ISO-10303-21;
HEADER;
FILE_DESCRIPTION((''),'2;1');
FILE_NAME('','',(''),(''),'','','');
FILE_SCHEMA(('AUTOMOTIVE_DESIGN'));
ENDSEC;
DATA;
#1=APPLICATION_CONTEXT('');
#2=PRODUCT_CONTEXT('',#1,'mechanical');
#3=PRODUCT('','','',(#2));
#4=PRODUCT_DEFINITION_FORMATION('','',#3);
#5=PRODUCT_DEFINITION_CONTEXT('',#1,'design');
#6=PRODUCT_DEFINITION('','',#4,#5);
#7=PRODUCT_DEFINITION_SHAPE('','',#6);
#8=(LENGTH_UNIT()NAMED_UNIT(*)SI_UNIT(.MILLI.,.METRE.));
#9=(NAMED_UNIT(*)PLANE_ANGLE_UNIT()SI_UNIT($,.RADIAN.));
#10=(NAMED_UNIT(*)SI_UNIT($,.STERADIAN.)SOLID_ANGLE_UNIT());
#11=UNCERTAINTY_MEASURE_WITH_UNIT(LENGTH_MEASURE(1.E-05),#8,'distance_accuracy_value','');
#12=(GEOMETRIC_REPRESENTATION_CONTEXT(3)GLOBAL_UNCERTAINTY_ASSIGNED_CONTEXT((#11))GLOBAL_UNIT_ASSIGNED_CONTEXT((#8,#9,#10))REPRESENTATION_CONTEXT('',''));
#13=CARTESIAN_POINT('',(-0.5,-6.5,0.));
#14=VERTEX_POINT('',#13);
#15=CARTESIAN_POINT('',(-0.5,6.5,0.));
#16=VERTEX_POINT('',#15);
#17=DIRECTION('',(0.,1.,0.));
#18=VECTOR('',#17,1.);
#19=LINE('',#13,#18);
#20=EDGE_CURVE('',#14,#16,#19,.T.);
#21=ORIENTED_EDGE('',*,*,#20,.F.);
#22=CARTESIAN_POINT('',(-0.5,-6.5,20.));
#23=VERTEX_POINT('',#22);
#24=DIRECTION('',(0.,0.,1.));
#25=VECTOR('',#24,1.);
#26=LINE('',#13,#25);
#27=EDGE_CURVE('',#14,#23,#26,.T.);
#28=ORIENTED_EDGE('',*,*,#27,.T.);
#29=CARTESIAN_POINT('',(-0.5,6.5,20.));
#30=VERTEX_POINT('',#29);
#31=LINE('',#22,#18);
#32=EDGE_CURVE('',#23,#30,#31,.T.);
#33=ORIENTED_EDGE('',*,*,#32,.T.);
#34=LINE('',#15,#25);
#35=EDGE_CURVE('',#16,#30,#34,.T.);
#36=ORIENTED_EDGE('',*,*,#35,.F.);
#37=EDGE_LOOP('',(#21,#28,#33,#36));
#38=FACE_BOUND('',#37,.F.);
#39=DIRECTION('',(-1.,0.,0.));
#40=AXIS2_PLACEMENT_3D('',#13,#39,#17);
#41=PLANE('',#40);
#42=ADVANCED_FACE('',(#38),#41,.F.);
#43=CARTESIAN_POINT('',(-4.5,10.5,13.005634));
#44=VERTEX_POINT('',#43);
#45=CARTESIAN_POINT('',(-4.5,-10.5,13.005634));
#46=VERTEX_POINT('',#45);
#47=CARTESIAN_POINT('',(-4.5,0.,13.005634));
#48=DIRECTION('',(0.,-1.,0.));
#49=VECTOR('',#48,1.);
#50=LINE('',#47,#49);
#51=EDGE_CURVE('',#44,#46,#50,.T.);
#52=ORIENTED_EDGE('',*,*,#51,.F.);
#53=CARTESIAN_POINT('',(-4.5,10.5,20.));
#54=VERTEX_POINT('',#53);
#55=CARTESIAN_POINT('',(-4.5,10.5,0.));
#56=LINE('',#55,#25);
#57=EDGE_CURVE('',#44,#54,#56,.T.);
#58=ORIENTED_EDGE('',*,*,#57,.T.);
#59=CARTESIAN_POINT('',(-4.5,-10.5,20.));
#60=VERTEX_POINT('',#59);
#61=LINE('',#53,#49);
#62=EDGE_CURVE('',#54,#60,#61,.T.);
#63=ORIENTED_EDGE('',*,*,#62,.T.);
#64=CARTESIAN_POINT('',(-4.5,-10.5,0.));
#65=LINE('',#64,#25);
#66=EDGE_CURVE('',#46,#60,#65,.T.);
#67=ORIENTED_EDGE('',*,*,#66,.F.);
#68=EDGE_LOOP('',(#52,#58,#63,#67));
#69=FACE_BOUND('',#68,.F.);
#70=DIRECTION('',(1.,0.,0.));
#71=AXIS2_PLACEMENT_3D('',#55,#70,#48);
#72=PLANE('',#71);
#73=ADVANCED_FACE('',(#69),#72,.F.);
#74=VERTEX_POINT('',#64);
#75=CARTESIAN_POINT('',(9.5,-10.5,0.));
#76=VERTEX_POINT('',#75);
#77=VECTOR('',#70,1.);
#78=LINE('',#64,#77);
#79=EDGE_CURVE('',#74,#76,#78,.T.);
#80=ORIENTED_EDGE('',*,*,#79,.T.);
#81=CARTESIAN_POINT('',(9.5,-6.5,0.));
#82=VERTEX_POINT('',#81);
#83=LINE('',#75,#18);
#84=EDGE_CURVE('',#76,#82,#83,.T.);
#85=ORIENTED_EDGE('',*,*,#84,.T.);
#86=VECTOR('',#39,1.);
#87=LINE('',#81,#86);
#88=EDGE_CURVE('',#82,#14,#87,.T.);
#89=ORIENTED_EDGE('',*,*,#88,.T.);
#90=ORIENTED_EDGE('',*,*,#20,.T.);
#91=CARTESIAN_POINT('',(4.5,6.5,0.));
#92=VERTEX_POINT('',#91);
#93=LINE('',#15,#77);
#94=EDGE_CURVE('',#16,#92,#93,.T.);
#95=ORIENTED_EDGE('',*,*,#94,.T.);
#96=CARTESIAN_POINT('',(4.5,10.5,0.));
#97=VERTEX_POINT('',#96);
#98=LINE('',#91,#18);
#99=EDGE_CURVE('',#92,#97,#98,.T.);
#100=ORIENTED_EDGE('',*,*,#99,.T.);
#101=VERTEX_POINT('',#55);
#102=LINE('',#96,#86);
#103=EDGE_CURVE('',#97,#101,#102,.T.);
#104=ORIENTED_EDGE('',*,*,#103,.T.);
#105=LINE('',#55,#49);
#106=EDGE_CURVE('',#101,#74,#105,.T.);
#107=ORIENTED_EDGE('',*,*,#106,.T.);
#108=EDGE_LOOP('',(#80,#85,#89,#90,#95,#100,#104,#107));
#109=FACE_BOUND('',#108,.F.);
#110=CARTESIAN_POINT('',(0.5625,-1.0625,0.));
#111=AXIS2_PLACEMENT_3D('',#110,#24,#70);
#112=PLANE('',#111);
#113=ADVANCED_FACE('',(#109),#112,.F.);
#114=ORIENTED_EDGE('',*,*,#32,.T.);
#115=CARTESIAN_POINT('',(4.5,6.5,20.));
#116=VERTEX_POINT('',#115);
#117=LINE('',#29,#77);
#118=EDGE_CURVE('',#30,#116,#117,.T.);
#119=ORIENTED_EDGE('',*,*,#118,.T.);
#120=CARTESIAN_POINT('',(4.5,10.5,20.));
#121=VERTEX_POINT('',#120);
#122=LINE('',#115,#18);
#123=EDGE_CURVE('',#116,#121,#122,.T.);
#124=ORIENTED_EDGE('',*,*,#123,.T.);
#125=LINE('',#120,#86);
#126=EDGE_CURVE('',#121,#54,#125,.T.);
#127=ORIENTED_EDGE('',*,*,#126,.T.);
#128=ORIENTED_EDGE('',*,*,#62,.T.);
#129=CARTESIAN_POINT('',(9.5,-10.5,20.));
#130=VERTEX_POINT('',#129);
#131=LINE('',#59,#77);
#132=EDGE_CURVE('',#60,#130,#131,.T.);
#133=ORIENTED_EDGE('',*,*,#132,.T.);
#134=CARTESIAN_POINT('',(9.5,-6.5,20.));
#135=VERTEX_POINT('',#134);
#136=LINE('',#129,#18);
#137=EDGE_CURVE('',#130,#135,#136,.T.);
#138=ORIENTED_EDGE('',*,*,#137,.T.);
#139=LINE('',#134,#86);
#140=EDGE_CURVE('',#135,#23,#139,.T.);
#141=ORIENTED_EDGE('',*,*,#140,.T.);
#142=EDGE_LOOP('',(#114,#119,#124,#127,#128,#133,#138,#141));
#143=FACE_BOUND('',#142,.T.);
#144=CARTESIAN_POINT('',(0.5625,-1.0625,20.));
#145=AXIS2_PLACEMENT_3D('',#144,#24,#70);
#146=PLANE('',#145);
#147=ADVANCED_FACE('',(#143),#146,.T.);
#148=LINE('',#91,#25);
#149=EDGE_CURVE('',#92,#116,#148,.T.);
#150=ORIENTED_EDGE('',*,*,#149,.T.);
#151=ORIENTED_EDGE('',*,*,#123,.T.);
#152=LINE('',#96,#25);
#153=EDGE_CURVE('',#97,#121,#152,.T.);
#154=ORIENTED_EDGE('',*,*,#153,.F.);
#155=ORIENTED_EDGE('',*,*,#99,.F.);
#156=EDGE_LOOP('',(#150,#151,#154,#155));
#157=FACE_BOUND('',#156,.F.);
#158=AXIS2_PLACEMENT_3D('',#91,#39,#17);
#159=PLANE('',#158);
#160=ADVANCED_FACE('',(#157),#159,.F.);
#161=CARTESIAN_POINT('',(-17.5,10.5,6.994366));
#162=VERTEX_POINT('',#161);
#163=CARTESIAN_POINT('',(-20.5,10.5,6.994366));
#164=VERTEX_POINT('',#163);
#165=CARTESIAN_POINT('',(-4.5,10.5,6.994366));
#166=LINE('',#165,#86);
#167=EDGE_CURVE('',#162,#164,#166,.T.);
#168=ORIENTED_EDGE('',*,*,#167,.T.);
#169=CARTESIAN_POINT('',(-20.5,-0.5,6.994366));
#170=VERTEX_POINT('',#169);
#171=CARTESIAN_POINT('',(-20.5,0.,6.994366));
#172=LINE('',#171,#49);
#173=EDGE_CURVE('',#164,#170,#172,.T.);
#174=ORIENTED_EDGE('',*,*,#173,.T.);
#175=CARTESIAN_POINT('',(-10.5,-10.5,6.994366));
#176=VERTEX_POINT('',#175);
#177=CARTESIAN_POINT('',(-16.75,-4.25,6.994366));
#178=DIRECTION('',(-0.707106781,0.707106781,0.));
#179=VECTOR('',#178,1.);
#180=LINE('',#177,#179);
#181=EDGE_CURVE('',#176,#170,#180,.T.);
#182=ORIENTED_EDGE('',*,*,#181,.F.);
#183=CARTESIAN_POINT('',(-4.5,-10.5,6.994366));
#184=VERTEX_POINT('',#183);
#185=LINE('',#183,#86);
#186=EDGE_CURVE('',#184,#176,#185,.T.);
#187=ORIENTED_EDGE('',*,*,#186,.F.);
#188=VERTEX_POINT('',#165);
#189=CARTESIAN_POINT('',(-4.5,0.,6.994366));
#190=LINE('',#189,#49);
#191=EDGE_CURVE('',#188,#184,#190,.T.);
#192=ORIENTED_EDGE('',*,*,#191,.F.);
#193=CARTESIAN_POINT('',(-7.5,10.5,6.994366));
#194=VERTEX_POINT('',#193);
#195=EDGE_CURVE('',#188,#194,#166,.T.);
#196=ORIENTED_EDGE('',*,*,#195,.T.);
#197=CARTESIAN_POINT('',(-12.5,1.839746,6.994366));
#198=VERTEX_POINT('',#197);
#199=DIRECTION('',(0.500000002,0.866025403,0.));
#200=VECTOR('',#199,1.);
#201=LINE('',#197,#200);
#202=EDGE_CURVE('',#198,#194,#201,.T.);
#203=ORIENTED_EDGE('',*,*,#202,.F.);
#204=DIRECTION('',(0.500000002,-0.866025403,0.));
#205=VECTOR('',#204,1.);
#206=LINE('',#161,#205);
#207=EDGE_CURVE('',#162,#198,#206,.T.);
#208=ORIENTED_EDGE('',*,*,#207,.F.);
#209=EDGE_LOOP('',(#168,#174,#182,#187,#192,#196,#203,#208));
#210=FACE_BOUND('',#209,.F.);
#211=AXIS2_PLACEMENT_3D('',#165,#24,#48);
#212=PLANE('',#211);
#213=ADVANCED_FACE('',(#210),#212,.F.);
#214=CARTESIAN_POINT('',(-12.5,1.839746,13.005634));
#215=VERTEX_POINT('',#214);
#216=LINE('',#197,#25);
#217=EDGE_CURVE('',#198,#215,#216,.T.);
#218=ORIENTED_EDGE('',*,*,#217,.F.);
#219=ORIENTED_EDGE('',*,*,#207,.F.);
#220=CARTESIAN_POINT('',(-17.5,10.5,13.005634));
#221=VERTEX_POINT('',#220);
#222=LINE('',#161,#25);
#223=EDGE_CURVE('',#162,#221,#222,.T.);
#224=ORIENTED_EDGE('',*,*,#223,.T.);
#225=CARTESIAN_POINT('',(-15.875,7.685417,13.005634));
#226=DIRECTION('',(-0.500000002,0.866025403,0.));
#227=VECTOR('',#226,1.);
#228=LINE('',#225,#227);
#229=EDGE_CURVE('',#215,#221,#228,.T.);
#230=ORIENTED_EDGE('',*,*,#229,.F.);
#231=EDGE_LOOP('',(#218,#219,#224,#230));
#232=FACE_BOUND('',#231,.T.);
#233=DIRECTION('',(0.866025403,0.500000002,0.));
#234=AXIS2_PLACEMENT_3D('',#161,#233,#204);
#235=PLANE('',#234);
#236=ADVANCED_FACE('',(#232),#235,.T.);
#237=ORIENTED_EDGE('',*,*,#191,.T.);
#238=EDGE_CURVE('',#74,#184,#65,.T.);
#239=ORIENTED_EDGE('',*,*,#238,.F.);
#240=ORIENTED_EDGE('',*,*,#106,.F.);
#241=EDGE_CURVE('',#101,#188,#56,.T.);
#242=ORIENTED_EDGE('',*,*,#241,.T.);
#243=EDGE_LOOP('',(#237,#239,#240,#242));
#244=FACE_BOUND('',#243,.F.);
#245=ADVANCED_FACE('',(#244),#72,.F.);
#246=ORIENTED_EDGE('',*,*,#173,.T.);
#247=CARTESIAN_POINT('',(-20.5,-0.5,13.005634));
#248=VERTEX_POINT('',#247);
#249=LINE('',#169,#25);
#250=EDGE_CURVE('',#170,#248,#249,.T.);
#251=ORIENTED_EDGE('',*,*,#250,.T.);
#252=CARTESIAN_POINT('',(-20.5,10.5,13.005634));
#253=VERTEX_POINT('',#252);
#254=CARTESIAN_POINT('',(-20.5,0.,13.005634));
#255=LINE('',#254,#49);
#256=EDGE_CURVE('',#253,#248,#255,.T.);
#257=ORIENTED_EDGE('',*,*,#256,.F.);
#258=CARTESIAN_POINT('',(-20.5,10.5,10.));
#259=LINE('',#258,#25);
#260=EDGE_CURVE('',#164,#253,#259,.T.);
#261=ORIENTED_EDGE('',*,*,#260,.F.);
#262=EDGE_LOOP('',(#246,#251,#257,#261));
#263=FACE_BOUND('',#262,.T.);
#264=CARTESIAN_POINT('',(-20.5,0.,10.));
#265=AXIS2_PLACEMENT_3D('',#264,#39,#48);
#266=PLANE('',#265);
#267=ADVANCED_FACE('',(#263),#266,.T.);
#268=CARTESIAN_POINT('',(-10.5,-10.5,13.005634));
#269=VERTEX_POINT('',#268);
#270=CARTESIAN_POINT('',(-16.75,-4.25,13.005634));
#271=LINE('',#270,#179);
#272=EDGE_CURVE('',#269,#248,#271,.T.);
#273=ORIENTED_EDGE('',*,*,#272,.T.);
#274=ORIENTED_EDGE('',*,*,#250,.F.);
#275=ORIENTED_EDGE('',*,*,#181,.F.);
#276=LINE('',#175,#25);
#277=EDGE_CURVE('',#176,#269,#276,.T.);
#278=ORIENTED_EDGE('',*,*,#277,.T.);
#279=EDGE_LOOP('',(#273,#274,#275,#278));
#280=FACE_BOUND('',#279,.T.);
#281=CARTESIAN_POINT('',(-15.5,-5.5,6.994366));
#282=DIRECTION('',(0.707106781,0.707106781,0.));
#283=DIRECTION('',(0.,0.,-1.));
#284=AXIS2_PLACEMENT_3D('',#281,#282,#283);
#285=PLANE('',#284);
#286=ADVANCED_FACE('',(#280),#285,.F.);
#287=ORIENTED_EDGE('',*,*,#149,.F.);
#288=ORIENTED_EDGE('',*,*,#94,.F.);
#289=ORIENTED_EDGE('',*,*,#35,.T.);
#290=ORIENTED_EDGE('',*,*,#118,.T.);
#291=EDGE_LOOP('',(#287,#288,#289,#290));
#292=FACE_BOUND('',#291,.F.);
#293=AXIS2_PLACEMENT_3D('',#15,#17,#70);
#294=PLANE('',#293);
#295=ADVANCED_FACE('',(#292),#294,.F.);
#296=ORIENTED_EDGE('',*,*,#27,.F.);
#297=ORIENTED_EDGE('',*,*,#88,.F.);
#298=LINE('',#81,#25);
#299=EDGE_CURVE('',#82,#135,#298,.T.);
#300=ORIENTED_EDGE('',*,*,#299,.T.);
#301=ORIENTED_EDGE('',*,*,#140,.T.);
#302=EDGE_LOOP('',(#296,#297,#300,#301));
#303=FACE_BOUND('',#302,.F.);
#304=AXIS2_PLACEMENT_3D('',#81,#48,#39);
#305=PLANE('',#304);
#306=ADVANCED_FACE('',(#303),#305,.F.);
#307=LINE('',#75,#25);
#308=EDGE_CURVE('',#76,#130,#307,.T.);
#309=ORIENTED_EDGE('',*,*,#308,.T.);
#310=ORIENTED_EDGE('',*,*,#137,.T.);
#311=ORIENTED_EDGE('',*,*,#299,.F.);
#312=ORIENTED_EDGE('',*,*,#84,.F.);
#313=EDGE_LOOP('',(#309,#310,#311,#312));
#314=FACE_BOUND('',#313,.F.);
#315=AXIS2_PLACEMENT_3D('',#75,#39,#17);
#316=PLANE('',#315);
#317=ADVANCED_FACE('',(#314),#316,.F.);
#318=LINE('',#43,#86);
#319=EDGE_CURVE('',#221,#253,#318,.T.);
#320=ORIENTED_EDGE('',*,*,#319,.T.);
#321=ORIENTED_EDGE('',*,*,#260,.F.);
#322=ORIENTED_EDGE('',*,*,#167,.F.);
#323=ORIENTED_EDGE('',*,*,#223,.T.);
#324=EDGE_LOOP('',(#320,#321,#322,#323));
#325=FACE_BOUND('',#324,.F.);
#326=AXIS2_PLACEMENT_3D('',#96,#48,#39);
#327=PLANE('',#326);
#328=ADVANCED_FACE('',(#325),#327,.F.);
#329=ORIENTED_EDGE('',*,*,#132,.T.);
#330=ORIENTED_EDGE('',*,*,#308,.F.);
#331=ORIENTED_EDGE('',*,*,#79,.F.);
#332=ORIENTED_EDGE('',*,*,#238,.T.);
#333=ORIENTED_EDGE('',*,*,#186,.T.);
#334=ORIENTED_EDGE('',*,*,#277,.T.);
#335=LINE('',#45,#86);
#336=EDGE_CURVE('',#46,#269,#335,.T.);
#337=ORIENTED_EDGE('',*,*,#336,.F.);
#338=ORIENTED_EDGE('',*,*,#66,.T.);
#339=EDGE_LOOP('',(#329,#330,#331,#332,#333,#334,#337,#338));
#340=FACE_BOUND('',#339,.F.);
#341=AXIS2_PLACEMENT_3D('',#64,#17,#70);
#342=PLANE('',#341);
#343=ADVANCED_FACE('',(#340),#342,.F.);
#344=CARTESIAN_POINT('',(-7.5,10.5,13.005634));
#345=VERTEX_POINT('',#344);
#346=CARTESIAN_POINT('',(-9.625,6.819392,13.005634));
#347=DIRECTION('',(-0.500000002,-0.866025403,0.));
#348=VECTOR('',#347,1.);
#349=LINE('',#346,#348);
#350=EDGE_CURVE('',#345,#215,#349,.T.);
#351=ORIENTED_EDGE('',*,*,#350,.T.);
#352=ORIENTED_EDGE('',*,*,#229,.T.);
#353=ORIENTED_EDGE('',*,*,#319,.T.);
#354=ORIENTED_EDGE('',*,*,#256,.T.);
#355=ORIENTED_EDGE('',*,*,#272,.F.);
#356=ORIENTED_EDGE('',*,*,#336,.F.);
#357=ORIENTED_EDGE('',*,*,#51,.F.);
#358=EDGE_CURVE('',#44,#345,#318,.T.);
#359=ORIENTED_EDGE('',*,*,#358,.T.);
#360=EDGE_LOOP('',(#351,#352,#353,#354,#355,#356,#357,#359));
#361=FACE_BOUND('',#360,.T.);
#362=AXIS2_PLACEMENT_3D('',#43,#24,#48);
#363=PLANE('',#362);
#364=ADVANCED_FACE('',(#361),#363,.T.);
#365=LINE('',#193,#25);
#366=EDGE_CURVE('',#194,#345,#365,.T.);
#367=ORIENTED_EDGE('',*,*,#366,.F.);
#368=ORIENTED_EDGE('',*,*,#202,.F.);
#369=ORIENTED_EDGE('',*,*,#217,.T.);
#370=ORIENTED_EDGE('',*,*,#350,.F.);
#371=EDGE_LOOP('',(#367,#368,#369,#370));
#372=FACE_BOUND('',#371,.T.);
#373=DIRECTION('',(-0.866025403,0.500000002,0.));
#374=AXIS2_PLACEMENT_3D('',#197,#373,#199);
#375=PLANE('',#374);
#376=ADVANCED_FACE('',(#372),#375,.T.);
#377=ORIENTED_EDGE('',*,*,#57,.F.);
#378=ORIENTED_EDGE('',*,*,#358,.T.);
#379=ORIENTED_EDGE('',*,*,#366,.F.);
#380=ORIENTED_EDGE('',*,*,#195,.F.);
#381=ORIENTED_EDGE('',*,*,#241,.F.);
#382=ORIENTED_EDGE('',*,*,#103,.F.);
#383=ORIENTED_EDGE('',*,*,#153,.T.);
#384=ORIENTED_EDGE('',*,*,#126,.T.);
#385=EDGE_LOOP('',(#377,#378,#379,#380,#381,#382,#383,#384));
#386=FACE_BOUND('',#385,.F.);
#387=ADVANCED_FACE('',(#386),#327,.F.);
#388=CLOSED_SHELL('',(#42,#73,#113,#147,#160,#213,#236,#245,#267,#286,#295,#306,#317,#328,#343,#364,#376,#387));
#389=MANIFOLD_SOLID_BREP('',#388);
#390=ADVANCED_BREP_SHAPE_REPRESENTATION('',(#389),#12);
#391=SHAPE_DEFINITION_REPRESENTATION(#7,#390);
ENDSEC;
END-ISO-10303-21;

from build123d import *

# Parameters (mm, degrees)
PAD_DEPTH    = 20
SKETCH001_W  = 21
SKETCH001_H  = 6.011268
PAD001_DEPTH = 16
POCKET_DEPTH = 13.006634
CHAMFER_SIZE = 10


with BuildPart() as part:
    # Sketch → Pad (new body)
    with BuildSketch(Plane.XY):
        Polygon((4.5, 6.5), (4.5, 10.5), (-4.5, 10.5), (-4.5, -10.5), (9.5, -10.5), (9.5, -6.5), (-0.5, -6.5), (-0.5, 6.5), align=None)
    extrude(amount=PAD_DEPTH)

    # Sketch001 (on Face3 of Pad) → Pad001 (join)
    with BuildSketch(Plane(origin=(-4.5, 0, 0), x_dir=(0, -1, 0), z_dir=(-1, 0, 0))):
        with Locations((0, 10)):
            Rectangle(SKETCH001_W, SKETCH001_H)
    extrude(amount=PAD001_DEPTH)

    # Sketch002 (on Face13 of Pad001) → Pocket (cut, through all)
    with BuildSketch(Plane(origin=(0, 0, 6.994366), x_dir=(1, 0, 0), z_dir=(0, 0, -1))):
        Polygon((-17.5, -10.5), (-12.5, -1.839746), (-7.5, -10.5), (-7.5, -16.27), (-17.5, -16.27), align=None)
    extrude(amount=-POCKET_DEPTH, mode=Mode.SUBTRACT)

    # Chamfer
    chamfer_edges = [part.edges().sort_by_distance(p)[0] for p in [
        (-20.5, -10.5, 10),
    ]]
    chamfer(chamfer_edges, length=CHAMFER_SIZE)


solid = part.part
